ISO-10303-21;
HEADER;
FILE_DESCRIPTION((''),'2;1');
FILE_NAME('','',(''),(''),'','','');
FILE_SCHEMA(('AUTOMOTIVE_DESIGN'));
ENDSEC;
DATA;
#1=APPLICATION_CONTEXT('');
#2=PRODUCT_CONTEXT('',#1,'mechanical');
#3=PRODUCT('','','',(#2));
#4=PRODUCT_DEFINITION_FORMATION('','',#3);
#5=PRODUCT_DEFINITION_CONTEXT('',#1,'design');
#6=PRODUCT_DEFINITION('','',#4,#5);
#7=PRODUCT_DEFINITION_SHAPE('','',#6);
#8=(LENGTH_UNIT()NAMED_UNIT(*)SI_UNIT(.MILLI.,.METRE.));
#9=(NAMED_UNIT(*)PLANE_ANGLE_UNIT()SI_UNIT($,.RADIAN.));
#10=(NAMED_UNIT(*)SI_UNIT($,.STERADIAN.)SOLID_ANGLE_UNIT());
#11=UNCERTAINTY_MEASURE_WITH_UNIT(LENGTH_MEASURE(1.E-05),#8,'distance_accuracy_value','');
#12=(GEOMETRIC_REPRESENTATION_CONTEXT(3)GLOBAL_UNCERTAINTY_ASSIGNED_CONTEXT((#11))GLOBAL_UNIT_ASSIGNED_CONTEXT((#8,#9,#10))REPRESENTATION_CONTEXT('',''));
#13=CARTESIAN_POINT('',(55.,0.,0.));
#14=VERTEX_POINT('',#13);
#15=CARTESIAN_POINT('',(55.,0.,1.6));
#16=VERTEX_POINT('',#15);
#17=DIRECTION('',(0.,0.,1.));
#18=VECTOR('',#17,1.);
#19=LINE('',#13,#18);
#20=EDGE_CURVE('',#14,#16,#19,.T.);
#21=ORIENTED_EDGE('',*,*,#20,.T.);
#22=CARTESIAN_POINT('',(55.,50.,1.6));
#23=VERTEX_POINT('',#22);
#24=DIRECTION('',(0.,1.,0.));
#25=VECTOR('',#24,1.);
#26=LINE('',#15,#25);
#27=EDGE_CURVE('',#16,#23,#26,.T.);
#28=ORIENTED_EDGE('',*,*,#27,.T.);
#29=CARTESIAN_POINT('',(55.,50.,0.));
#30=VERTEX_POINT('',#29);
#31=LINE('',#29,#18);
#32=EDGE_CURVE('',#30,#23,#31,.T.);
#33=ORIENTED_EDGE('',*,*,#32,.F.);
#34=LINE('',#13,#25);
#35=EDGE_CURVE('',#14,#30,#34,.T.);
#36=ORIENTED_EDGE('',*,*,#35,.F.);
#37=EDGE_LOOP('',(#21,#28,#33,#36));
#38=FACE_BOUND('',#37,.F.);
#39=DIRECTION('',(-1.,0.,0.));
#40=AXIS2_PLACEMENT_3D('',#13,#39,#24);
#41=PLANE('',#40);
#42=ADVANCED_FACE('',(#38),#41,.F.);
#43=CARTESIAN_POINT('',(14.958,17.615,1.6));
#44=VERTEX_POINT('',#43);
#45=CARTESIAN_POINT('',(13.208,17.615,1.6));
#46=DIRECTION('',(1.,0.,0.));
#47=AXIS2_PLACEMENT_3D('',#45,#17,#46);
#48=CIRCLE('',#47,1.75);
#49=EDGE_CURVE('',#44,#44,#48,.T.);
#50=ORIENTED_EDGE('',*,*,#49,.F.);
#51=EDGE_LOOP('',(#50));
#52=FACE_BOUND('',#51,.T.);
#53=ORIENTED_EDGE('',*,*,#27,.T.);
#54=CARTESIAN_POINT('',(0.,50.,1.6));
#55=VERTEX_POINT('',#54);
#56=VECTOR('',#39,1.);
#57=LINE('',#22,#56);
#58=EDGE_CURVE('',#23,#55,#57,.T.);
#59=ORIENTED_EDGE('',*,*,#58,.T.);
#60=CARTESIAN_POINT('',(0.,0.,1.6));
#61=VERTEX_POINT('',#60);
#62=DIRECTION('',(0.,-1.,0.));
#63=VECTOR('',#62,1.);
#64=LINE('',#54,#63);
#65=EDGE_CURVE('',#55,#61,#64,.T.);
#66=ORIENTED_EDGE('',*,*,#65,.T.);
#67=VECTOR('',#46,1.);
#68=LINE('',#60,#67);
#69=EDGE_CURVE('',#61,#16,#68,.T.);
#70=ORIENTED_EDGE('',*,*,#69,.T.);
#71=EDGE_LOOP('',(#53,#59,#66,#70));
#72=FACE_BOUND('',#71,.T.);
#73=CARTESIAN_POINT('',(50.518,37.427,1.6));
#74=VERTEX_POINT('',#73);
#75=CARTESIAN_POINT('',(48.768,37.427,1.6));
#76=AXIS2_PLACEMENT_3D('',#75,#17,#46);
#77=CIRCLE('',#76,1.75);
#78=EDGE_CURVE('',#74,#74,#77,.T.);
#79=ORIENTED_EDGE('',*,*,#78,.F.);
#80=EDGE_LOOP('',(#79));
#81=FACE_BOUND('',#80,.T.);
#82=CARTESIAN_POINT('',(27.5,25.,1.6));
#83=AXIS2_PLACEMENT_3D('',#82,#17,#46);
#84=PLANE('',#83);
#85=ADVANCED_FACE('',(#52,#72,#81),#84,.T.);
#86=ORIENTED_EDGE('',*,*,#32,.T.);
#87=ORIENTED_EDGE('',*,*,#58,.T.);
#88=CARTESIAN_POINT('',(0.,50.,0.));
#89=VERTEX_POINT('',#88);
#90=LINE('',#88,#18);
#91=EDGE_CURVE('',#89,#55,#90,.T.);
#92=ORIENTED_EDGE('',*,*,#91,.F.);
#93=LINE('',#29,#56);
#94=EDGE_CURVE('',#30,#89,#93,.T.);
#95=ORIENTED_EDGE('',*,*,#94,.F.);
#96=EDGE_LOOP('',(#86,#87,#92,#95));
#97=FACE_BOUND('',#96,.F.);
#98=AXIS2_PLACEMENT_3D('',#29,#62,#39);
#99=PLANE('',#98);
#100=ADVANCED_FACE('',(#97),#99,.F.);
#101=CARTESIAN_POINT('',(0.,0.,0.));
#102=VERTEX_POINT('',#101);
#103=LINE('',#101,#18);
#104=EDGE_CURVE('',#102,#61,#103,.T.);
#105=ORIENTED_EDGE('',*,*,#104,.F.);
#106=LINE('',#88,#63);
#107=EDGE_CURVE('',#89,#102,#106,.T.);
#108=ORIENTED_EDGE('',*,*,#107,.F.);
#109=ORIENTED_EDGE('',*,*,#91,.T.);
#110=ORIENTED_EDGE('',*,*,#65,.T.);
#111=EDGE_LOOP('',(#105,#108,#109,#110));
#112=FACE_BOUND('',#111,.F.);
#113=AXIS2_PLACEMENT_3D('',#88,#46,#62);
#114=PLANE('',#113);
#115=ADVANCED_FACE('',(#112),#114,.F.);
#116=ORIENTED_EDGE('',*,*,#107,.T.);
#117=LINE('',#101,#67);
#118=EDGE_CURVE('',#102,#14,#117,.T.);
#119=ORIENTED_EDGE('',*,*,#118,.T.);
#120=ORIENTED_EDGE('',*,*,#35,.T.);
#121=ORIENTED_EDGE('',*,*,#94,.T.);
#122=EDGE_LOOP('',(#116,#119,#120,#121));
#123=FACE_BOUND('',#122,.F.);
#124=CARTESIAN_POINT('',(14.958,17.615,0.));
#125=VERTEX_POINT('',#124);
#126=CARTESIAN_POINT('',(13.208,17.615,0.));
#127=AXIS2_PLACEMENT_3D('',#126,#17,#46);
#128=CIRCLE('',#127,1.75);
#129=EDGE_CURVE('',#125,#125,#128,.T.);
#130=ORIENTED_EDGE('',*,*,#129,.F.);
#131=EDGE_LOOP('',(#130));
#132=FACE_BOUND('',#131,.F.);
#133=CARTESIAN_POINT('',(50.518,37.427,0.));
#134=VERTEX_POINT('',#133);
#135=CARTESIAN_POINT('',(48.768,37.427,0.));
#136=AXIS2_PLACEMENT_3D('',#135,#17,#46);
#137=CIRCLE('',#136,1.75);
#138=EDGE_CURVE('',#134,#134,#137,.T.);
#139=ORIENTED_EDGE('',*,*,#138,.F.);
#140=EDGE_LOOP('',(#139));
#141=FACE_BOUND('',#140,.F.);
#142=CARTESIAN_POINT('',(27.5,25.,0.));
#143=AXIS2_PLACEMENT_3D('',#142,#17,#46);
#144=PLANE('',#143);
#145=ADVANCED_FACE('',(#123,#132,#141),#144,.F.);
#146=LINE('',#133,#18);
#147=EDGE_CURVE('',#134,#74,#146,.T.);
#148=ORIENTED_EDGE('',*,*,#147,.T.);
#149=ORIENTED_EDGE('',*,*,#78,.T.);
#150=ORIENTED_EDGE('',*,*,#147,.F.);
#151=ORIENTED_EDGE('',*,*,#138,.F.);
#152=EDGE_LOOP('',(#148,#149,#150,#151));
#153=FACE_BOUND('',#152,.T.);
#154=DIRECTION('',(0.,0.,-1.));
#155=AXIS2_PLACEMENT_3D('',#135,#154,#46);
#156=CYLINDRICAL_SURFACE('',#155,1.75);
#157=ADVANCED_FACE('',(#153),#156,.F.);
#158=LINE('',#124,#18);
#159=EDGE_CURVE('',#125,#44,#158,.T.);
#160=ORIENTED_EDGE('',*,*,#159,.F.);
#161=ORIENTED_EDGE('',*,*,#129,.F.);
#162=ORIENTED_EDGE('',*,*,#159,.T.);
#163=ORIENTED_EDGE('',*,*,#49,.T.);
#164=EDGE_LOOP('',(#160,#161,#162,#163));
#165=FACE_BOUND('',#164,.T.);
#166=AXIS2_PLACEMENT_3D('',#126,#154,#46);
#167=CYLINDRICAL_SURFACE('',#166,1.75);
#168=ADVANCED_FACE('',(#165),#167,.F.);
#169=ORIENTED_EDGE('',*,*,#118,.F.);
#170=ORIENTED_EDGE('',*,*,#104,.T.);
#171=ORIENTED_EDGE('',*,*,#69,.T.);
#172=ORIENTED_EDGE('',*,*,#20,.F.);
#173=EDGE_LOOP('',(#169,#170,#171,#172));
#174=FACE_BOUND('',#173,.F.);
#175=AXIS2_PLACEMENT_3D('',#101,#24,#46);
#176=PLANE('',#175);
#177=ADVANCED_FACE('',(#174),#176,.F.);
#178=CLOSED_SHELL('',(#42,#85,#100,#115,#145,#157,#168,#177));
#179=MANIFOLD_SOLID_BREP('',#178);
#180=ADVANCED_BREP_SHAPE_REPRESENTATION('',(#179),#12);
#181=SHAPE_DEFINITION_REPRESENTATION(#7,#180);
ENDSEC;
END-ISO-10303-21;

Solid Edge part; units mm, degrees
sketch "Sketch1" plane through (0, 0, 0) normal (0, 0, 1) x (1, 0, 0)
  line L0 (0, 0) -> (55, 0)
  line L1 (55, 0) -> (55, 50)
  line L2 (55, 50) -> (0, 50)
  line L3 (0, 50) -> (0, 0)
  circle A0 centre (13.208, 17.615) radius 1.75
  circle A1 centre (48.768, 37.427) radius 1.75
extrude "Protrusion1" add sketch "Sketch1" along normal blind 1.6
